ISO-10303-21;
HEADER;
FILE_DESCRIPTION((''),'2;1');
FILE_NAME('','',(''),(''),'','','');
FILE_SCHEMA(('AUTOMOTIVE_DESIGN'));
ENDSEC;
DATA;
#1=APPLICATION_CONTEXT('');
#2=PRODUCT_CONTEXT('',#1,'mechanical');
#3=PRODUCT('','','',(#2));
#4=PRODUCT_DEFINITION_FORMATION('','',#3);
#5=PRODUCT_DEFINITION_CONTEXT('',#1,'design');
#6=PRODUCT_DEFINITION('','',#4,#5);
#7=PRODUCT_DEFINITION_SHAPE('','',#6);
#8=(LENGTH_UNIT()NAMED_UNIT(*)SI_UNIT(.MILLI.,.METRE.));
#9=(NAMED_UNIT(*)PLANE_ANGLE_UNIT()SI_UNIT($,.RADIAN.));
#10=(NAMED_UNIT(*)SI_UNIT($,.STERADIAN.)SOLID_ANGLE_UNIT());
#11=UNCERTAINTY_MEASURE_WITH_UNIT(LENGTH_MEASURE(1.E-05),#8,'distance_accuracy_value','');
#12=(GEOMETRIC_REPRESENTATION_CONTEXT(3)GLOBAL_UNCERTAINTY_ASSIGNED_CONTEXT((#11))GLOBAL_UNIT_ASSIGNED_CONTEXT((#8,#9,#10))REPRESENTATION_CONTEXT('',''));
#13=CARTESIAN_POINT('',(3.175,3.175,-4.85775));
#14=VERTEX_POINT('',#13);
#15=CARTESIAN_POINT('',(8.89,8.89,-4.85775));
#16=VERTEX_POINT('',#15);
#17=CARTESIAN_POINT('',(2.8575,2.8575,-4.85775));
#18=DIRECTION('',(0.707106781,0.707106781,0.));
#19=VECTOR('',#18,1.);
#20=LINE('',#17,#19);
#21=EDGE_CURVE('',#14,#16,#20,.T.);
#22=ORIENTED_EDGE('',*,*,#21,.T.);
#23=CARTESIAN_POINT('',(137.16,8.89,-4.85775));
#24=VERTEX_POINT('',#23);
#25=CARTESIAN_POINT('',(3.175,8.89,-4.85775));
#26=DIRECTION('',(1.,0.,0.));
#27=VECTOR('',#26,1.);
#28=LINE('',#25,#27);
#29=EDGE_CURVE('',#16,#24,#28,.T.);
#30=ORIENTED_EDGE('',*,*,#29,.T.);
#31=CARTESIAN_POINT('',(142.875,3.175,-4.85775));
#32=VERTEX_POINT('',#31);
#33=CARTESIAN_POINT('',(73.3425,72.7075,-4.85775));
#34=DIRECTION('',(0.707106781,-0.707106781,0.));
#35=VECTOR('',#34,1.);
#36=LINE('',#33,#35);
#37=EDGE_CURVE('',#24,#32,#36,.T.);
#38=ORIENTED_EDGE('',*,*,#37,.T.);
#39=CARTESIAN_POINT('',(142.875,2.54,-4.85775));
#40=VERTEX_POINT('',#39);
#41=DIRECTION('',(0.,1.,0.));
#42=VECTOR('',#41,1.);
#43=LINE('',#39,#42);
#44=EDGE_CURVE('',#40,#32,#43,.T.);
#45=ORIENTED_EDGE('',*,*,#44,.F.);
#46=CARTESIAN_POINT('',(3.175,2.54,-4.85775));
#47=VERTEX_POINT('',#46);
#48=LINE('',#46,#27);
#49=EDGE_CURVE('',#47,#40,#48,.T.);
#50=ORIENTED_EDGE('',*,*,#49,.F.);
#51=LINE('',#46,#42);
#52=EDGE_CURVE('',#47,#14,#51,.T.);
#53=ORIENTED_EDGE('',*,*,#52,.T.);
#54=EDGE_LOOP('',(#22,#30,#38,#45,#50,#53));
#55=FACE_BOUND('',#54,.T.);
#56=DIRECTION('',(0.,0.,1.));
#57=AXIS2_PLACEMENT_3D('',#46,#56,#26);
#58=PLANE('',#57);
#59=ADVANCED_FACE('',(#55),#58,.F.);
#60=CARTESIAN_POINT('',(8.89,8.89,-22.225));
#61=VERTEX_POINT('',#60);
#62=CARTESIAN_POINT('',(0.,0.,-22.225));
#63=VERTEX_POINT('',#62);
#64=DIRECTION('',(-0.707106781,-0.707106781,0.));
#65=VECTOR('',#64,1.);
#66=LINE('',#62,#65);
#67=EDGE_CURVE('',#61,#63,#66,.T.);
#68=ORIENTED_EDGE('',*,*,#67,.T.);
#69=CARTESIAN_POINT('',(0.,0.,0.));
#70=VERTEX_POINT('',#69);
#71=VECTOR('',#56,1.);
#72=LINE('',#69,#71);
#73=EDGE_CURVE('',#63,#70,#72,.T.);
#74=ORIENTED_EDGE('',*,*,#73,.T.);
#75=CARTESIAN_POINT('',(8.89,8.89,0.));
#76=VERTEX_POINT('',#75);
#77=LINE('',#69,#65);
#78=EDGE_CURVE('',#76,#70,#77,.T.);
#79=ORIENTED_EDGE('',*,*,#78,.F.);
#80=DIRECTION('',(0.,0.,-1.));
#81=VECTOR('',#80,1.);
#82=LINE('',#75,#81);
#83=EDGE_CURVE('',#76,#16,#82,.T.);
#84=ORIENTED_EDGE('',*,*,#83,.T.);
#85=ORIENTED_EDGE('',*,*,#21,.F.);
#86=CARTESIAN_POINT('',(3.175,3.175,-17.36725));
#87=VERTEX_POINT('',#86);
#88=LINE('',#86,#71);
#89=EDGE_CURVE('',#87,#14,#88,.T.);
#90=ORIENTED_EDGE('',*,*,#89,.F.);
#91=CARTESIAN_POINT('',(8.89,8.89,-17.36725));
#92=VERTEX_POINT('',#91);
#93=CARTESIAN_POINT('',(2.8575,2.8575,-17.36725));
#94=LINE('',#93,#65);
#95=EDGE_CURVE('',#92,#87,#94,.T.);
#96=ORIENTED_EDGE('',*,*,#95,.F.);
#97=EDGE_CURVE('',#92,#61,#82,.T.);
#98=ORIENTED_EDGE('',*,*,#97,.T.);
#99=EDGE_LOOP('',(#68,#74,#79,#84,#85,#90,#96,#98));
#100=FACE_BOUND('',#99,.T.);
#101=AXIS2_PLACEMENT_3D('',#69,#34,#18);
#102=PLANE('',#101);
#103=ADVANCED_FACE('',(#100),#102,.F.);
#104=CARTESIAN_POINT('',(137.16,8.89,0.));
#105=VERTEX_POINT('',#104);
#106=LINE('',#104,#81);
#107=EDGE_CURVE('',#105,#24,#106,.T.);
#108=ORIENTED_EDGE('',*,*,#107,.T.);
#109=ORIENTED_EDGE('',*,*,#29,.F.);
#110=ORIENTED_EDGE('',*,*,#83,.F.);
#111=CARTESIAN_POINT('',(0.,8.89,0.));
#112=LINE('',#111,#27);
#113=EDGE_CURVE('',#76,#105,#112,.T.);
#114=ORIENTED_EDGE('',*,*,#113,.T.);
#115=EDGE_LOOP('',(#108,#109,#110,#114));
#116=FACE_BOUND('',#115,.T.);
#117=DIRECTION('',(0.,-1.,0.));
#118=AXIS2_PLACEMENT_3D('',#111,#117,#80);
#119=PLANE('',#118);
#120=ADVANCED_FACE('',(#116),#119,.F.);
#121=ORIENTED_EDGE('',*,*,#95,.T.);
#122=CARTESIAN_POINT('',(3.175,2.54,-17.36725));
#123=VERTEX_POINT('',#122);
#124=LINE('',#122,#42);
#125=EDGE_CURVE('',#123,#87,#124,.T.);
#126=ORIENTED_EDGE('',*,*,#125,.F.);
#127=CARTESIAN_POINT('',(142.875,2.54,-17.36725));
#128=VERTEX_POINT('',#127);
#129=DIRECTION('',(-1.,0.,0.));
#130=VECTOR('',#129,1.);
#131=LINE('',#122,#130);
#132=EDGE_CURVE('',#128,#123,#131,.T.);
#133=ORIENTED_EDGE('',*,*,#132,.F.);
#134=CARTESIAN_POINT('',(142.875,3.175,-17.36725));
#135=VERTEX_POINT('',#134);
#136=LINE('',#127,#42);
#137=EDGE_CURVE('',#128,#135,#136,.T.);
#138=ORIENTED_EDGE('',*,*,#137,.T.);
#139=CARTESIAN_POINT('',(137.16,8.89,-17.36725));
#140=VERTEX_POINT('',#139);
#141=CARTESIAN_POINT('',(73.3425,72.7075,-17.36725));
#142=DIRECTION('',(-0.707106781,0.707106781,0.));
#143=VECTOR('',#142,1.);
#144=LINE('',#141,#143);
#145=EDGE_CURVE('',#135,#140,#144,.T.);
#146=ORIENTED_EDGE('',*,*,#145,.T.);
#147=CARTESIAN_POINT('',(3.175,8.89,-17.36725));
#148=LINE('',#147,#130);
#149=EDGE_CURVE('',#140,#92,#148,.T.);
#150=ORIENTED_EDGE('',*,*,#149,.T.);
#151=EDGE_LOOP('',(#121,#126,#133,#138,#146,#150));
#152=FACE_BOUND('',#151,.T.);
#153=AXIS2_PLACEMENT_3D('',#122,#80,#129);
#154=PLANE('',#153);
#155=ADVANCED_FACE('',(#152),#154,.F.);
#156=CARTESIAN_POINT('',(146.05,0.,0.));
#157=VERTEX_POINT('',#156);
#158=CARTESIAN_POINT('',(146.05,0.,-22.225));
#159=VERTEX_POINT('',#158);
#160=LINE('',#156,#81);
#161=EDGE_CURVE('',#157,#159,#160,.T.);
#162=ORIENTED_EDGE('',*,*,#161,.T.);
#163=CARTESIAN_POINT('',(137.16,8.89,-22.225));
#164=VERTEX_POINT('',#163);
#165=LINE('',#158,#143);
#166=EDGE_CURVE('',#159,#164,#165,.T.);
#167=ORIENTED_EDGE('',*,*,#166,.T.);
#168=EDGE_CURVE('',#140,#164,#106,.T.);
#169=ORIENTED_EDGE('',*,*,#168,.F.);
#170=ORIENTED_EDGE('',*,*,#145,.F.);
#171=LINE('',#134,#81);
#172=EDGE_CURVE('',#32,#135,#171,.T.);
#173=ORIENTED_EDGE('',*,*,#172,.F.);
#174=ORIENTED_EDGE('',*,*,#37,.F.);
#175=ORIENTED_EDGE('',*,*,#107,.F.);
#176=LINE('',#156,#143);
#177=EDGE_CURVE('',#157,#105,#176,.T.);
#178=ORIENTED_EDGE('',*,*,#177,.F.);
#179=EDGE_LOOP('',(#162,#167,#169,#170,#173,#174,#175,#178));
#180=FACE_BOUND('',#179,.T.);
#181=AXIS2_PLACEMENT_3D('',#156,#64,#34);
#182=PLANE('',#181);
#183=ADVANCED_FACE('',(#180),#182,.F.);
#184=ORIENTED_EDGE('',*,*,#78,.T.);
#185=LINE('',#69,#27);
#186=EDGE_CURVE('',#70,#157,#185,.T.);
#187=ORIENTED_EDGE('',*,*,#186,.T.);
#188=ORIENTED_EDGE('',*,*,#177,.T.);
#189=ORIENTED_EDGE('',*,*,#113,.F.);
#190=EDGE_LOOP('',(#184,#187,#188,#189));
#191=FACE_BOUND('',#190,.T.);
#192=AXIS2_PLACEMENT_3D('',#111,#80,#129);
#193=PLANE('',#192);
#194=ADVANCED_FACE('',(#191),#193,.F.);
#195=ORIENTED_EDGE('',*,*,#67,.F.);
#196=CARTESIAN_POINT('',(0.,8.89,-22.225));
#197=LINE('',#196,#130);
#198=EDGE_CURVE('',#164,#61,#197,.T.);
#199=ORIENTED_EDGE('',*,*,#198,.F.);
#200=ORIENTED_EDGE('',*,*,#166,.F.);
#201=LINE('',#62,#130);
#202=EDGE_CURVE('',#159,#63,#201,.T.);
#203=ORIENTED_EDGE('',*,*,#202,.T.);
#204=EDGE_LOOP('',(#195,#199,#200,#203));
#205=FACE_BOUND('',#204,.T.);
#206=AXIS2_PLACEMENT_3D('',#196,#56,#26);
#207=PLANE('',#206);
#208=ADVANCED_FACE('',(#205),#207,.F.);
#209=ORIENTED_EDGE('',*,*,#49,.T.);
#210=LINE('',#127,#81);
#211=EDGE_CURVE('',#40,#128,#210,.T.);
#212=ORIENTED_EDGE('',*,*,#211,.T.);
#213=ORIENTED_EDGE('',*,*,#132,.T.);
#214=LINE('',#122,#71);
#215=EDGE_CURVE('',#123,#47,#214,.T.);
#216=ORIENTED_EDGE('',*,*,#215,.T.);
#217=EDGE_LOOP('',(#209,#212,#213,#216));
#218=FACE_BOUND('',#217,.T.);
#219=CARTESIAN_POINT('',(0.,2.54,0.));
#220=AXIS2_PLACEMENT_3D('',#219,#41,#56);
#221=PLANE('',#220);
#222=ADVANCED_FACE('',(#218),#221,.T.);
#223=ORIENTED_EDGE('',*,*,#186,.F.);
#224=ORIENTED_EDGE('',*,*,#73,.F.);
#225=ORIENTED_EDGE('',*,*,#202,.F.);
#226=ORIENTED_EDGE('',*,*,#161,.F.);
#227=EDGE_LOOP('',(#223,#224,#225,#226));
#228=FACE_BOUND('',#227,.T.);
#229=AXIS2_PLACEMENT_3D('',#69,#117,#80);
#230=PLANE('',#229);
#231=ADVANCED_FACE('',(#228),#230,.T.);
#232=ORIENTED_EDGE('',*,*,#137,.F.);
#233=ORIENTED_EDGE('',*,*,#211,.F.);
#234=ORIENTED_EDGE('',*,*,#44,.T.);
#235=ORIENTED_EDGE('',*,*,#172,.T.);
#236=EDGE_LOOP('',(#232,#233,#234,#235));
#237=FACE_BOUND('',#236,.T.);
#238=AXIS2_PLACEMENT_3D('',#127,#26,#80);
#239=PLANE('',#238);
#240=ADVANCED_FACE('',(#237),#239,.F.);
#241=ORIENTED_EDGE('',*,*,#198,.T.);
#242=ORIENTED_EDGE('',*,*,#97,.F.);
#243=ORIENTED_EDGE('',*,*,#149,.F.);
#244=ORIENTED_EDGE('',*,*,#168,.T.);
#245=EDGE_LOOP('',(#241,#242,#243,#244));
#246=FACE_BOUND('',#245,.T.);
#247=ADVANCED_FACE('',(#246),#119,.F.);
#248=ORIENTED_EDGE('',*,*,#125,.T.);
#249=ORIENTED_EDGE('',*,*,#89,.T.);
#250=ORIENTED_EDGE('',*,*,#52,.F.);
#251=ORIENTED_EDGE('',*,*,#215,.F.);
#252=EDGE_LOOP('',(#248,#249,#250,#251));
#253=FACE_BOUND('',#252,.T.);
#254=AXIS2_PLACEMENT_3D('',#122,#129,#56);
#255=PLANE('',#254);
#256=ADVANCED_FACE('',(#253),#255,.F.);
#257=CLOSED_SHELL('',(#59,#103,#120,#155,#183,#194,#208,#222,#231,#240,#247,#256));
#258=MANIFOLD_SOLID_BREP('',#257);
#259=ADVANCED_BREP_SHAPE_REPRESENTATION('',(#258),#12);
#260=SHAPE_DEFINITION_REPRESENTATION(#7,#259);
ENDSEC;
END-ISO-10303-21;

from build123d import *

# Parameters (mm, degrees)
SKETCH1_W          = 146.05
SKETCH1_H          = 22.225
BASE_EXTRUDE_DEPTH = 8.89
SKETCH3_W          = 139.7
SKETCH3_H          = 12.5095
PIECE_CUT_DEPTH    = 6.35
CORNER_CUT_DEPTH   = 148.998598726


with BuildPart() as part:
    # Sketch1 → Base Extrude (new body)
    with BuildSketch(Plane(origin=(0, 0, 0), x_dir=(1, 0, 0), z_dir=(0, 1, 0))):
        with Locations((73.025, 11.1125)):
            Rectangle(SKETCH1_W, SKETCH1_H)
    extrude(amount=BASE_EXTRUDE_DEPTH)

    # Sketch3 → Piece Cut (cut)
    with BuildSketch(Plane(origin=(0, 8.89, 0), x_dir=(1, 0, 0), z_dir=(0, 1, 0))):
        with Locations((73.025, 11.1125)):
            Rectangle(SKETCH3_W, SKETCH3_H)
    extrude(amount=-PIECE_CUT_DEPTH, mode=Mode.SUBTRACT)

    # Sketch4 → Corner Cut (cut, through all)
    with BuildSketch(Plane(origin=(0, 0, -22.225), x_dir=(-1, 0, 0), z_dir=(0, 0, -1))):
        Polygon((0, 0), (-8.89, 8.89), (0, 8.89), align=None)
        Polygon((-146.05, 8.89), (-137.16, 8.89), (-146.05, 0), align=None)
    extrude(amount=-CORNER_CUT_DEPTH, mode=Mode.SUBTRACT)


solid = part.part
